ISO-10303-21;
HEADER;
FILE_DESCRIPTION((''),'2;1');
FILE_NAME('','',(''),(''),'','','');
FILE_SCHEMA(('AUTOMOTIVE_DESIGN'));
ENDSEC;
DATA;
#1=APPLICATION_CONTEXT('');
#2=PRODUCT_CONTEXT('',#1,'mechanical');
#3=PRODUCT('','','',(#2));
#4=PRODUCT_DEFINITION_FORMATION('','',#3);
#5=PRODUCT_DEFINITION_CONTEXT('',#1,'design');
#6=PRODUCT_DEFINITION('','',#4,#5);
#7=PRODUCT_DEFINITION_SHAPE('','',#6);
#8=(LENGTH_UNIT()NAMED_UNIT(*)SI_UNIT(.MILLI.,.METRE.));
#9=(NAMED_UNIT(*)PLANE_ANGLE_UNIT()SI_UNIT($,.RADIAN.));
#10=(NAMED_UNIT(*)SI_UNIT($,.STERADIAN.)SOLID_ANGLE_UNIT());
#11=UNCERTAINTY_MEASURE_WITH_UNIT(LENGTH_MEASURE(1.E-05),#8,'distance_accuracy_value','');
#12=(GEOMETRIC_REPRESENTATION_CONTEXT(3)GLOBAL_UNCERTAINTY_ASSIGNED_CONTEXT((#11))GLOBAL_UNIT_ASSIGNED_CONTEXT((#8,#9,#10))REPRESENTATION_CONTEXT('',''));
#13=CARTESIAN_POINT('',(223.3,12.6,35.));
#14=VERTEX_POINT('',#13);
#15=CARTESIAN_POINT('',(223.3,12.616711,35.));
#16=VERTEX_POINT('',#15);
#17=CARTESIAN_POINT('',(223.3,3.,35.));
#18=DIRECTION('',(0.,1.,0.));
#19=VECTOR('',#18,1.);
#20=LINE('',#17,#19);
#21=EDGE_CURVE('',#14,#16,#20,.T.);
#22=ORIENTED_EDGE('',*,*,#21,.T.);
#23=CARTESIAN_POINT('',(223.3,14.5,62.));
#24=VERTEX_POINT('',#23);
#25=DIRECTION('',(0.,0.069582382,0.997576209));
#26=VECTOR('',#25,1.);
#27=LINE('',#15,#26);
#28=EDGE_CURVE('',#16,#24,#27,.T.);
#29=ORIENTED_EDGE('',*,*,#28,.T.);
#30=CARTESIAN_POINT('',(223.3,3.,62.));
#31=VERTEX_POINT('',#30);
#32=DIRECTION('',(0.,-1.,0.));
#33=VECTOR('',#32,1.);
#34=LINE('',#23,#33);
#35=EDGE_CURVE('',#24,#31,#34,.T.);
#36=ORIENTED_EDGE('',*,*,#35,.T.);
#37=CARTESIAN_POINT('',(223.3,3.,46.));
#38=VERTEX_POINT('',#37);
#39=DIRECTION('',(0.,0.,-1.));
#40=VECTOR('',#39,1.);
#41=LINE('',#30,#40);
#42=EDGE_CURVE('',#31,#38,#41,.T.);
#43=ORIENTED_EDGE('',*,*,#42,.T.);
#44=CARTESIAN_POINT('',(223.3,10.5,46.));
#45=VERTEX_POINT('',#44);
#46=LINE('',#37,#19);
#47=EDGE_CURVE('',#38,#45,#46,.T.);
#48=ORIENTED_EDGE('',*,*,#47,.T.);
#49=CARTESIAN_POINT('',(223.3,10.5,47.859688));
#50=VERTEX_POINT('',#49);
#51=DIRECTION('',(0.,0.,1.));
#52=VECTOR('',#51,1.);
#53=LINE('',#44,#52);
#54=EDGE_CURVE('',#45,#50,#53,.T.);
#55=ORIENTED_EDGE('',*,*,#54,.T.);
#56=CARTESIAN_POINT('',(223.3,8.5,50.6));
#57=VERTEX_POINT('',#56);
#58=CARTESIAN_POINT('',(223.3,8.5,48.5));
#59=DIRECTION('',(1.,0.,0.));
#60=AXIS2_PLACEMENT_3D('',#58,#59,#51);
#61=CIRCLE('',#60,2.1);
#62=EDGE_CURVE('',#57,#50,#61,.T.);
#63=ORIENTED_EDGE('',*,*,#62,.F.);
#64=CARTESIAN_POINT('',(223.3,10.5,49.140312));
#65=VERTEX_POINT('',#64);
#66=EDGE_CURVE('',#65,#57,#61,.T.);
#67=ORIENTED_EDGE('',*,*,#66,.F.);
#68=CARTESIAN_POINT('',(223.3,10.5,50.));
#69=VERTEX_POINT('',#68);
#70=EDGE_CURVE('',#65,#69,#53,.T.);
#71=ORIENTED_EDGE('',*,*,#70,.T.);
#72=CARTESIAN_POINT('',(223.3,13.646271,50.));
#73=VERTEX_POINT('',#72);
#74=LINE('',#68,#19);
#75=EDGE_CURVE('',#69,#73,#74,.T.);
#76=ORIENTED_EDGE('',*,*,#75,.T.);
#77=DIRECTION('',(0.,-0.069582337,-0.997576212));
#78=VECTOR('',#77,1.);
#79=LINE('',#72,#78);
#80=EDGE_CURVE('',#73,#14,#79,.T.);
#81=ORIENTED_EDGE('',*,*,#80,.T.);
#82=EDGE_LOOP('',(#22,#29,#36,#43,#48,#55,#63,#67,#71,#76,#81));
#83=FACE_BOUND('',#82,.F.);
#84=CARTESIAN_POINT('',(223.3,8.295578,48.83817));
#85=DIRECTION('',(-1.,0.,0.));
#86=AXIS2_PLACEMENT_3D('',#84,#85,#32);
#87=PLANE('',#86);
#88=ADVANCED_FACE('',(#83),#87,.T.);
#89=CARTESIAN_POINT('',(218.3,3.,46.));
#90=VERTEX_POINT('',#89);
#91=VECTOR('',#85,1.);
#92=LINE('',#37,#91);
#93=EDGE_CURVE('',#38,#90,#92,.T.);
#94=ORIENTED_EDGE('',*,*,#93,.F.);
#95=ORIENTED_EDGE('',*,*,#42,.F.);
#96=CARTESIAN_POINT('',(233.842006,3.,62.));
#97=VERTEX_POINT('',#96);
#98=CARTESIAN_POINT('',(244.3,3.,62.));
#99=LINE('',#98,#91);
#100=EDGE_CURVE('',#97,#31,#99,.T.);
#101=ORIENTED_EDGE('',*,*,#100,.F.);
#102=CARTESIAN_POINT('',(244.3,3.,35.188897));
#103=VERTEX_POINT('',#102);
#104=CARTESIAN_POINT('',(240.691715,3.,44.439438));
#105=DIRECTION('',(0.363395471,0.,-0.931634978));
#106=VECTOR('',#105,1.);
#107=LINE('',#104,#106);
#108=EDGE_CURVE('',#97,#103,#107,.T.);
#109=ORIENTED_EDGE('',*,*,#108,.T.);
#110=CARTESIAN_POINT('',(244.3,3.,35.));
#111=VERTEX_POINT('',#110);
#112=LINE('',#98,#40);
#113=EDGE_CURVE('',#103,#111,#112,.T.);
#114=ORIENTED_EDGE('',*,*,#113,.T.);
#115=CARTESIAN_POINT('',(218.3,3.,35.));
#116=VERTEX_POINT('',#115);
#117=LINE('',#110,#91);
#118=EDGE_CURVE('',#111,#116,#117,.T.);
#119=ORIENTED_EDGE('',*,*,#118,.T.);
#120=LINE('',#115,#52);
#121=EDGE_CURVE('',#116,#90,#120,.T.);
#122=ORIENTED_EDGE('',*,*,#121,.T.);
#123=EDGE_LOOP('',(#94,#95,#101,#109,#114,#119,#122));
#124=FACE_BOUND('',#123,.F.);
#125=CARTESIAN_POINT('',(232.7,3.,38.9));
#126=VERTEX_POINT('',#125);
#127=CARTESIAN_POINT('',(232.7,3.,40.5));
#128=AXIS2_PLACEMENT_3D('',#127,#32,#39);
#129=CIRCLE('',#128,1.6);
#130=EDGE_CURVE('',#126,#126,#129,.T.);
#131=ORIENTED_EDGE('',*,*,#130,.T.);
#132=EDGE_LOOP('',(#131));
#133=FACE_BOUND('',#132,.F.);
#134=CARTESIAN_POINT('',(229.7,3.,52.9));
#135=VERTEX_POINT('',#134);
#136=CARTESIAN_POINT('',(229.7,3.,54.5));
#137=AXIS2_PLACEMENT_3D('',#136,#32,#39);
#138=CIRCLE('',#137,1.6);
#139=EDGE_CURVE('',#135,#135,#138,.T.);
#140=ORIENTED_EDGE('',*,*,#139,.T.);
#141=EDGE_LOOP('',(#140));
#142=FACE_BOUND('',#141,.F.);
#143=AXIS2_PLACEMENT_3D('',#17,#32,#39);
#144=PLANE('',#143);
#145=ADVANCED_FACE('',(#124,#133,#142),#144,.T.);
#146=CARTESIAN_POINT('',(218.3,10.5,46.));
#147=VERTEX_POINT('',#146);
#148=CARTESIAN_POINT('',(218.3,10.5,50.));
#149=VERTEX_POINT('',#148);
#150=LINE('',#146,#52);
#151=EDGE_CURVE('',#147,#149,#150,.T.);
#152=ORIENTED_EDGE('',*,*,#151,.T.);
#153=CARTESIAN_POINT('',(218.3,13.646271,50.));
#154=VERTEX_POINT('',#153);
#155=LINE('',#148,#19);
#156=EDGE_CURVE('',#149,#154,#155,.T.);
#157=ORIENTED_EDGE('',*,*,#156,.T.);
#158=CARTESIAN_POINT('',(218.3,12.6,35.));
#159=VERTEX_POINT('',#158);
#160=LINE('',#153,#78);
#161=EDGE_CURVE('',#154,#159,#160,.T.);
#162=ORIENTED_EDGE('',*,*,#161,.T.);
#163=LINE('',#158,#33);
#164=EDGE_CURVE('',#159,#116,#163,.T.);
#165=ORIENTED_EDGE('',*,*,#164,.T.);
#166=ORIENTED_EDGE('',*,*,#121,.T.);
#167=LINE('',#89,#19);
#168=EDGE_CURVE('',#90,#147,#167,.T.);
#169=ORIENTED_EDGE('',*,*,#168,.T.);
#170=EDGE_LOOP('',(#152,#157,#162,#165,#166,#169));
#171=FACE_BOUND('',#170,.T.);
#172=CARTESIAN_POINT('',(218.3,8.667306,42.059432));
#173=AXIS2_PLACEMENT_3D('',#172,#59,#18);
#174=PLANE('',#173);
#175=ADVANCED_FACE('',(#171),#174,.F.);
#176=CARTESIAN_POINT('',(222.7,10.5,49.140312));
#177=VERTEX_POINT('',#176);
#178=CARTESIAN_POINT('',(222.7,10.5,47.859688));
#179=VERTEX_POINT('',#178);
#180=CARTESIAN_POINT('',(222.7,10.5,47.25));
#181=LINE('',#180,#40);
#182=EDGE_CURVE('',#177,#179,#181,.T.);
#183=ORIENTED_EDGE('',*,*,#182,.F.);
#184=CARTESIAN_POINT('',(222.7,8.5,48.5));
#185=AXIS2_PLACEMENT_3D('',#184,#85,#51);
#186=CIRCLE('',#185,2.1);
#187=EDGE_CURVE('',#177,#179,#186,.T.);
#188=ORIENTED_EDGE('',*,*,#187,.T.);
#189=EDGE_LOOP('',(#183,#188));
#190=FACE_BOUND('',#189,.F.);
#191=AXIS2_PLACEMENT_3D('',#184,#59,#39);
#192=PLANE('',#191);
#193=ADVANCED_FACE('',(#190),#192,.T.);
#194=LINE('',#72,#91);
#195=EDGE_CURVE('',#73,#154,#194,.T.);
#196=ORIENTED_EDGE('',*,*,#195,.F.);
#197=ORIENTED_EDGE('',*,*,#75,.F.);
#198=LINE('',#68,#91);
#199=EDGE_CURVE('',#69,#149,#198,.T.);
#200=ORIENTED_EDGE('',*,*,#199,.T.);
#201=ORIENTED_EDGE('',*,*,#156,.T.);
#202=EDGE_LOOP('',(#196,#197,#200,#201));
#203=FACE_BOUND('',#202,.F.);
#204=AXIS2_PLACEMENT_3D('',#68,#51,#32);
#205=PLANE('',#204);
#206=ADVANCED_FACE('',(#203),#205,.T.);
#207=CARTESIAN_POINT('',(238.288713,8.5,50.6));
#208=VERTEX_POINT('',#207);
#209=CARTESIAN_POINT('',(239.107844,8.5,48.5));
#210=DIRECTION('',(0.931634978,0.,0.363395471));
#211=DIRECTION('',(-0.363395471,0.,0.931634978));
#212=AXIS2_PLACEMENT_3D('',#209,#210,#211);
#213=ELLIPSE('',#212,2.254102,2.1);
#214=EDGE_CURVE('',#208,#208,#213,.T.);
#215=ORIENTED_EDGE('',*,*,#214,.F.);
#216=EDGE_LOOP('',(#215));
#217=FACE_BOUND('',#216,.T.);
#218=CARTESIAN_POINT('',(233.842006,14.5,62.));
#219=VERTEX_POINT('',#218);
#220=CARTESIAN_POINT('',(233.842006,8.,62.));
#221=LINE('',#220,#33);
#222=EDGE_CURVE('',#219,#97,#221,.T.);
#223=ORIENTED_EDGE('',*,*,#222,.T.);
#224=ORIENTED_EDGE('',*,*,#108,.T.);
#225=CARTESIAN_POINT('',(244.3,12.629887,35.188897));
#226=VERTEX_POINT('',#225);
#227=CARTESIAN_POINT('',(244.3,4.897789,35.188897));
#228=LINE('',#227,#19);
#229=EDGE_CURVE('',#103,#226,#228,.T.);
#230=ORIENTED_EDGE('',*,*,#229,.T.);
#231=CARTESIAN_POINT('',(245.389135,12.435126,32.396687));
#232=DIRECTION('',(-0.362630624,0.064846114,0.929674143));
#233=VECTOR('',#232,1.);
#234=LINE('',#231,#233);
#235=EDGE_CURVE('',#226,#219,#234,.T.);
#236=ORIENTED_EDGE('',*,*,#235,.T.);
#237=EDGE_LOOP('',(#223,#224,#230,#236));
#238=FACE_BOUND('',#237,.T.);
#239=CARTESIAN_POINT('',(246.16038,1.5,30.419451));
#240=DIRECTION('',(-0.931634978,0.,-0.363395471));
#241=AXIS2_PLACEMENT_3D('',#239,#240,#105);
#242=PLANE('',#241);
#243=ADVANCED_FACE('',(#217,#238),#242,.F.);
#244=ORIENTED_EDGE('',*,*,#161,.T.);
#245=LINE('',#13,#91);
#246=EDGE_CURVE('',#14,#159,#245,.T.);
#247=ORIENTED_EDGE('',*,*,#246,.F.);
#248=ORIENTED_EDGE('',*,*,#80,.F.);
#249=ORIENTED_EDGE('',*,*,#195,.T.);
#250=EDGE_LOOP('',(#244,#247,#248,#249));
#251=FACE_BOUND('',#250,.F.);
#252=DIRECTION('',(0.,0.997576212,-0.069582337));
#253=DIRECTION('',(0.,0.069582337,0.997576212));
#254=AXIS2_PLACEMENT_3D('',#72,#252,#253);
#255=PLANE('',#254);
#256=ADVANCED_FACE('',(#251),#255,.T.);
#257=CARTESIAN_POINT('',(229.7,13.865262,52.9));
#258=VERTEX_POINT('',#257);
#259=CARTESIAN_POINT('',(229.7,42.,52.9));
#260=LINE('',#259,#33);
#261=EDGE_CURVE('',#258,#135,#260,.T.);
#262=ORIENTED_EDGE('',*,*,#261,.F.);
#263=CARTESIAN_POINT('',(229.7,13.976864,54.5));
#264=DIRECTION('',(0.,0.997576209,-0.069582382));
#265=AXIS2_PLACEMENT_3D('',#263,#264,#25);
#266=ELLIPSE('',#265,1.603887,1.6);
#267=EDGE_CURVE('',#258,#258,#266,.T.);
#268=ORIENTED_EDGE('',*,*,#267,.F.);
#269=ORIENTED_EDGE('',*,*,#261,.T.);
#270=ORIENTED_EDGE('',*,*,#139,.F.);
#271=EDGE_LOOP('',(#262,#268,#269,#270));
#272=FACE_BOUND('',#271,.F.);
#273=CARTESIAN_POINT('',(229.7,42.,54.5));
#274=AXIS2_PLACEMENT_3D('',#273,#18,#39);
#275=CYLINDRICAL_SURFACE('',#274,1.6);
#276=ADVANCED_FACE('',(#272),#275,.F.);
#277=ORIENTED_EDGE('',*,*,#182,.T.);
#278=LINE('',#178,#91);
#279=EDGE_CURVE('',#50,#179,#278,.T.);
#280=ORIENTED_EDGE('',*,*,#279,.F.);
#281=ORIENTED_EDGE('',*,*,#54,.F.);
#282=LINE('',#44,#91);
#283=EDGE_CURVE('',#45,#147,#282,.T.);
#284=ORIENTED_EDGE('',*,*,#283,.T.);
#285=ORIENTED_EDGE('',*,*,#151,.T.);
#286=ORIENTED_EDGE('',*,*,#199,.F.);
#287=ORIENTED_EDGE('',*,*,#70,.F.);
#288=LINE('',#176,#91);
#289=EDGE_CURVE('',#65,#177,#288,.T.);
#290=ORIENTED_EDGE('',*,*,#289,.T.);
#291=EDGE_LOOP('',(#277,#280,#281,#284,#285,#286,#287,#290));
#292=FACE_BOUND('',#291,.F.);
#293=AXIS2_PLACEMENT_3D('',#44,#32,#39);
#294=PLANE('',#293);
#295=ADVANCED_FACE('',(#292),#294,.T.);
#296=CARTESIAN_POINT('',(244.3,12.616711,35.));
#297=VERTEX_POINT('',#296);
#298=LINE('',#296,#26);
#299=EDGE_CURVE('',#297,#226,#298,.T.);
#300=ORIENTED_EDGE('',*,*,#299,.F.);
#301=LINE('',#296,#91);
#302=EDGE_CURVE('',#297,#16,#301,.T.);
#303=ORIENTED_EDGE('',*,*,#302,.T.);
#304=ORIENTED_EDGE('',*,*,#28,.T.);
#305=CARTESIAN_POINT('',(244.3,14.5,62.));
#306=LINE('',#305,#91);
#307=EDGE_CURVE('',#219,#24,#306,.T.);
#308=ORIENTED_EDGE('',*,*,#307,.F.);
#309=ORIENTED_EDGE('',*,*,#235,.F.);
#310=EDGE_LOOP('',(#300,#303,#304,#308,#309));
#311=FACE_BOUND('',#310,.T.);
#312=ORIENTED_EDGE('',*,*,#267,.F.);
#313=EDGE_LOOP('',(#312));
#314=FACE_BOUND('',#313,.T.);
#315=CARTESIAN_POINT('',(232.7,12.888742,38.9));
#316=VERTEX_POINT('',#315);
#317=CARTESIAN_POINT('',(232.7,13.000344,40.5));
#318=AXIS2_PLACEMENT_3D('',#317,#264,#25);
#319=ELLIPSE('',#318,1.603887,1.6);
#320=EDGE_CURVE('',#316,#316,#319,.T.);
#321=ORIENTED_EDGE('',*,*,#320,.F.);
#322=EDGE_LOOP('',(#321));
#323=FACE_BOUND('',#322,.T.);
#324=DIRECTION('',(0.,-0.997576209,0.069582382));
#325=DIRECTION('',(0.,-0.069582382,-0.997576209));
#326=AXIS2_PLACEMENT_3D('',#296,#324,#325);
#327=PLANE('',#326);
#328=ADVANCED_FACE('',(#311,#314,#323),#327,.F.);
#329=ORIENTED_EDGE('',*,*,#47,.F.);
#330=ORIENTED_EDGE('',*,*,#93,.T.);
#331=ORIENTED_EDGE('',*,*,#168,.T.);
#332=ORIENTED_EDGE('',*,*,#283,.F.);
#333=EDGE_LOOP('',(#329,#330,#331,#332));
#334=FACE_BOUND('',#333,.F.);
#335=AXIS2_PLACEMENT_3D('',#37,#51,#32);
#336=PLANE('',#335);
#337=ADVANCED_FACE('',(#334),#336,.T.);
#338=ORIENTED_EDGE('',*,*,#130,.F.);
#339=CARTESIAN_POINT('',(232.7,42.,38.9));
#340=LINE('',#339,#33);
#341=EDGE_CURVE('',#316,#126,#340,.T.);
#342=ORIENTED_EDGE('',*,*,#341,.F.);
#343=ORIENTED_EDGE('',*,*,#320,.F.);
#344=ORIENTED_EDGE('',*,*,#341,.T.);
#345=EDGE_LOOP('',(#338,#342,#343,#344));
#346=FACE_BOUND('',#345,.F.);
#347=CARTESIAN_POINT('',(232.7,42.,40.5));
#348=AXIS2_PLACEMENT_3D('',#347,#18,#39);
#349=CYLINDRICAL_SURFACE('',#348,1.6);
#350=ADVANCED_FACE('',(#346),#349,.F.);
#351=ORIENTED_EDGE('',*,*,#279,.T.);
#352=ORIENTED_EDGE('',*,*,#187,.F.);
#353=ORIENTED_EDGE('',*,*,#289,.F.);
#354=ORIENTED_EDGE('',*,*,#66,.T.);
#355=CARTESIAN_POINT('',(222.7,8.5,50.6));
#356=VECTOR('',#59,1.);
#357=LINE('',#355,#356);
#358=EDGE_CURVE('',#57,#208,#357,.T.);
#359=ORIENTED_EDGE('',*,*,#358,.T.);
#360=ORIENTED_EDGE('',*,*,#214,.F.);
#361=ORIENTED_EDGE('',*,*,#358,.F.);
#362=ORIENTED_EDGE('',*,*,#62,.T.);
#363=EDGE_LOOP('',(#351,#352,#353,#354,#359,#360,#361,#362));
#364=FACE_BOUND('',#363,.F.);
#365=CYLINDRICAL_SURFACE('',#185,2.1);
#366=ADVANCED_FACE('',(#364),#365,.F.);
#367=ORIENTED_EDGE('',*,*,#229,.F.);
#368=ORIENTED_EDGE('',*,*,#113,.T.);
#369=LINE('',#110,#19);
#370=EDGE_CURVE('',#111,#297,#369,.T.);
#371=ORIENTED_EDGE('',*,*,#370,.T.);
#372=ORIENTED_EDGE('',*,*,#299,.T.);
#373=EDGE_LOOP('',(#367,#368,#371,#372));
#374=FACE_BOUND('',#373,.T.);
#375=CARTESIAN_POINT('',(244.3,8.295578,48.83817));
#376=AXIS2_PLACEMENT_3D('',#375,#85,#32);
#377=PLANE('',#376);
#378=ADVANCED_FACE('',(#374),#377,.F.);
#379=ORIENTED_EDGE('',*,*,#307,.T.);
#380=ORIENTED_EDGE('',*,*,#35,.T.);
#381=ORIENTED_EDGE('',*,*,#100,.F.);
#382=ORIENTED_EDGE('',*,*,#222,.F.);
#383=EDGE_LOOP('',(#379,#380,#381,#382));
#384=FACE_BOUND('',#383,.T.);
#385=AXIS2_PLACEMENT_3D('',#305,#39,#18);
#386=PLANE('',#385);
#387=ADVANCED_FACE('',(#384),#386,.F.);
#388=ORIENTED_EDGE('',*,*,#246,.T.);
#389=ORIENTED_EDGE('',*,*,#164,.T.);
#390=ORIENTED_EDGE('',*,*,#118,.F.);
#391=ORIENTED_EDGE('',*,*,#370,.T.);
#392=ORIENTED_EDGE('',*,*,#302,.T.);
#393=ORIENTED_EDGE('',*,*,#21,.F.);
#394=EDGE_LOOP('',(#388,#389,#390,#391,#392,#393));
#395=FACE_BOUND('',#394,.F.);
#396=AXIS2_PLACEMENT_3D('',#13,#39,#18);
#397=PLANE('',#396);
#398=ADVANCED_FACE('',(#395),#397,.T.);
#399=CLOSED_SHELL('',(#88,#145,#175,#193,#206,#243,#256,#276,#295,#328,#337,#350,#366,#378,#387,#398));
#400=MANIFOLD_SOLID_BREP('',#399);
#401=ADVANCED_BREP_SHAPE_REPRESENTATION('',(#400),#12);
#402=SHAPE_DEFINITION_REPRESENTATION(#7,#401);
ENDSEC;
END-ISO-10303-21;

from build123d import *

# Parameters (mm, degrees)
CYLINDER181_R     = 2.1
CYLINDER181_DEPTH = 19
CYLINDER127_R     = 1.6
CYLINDER127_DEPTH = 40
CYLINDER124_R     = 1.6
CYLINDER124_DEPTH = 40
EXTRUDE067_DEPTH  = 5
EXTRUDE050_DEPTH  = 15
EXTRUDE049_DEPTH  = 21


with BuildPart() as cylinder181:
    # Cylinder181 → Cylinder181 (new body)
    with BuildSketch(Plane(origin=(15.3, 8.5, 48.5), x_dir=(0, 0, 1), z_dir=(-1, 0, 0))):
        Circle(CYLINDER181_R)
    extrude(amount=CYLINDER181_DEPTH)


with BuildPart() as cylinder127:
    # Cylinder127 → Cylinder127 (new body)
    with BuildSketch(Plane(origin=(5.3, 42, 40.5), x_dir=(0, 0, -1), z_dir=(0, -1, 0))):
        Circle(CYLINDER127_R)
    extrude(amount=CYLINDER127_DEPTH)


with BuildPart() as cylinder124:
    # Cylinder124 → Cylinder124 (new body)
    with BuildSketch(Plane(origin=(8.3, 42, 54.5), x_dir=(0, 0, -1), z_dir=(0, -1, 0))):
        Circle(CYLINDER124_R)
    extrude(amount=CYLINDER124_DEPTH)


with BuildPart() as extrude067:
    # Sketch055 → Extrude067 (new body)
    with BuildSketch(Plane.YZ):
        Polygon((3, 46), (10.5, 46), (10.5, 50), (13.646271, 50), (12.6, 35), (3, 35), align=None)
    extrude(amount=EXTRUDE067_DEPTH)


with BuildPart() as extrude067_1:
    # Extrude067 placement: moved
    add(extrude067.part.moved(Location((14.7, 0, 0))))


with BuildPart() as extrude050:
    # Sketch040 → Extrude050 (new body)
    with BuildSketch(Plane.XZ):
        Polygon((-8.16038, 62.64716), (-8.16038, 30.419451), (4.410427, 62.64716), align=None)
    extrude(amount=-EXTRUDE050_DEPTH)


with BuildPart() as extrude050_1:
    # Extrude050 placement: moved
    add(extrude050.part.moved(Location((0, 1.5, 0))))


with BuildPart() as cut276:
    # Sketch039 → Extrude049 (new body)
    with BuildSketch(Plane.YZ):
        Polygon((3, 62), (3, 35), (12.616711, 35), (14.5, 62), align=None)
    extrude(amount=EXTRUDE049_DEPTH)


with BuildPart() as cut276_1:
    # Extrude049 placement: moved
    add(cut276.part.moved(Location((-6.3, 0, 0))))

    # Cut273: cut Extrude050
    add(extrude050_1.part, mode=Mode.SUBTRACT)

    # Fusion115: union Extrude067
    add(extrude067_1.part)

    # Cut274: cut Cylinder124
    add(cylinder124.part, mode=Mode.SUBTRACT)

    # Cut275: cut Cylinder127
    add(cylinder127.part, mode=Mode.SUBTRACT)

    # Cut276: cut Cylinder181
    add(cylinder181.part, mode=Mode.SUBTRACT)


with BuildPart() as part_mirroring:
    # Part__Mirroring: instance of Cut276
    add(cut276_1.part.mirror(Plane(origin=(0, 8.75, 48.500027), x_dir=(0, -1, 0), z_dir=(1, 0, 0))))


with BuildPart() as part_mirroring_1:
    # Part__Mirroring placement: moved
    add(part_mirroring.part.moved(Location((238, 0, 0))))


solid = part_mirroring_1.part
